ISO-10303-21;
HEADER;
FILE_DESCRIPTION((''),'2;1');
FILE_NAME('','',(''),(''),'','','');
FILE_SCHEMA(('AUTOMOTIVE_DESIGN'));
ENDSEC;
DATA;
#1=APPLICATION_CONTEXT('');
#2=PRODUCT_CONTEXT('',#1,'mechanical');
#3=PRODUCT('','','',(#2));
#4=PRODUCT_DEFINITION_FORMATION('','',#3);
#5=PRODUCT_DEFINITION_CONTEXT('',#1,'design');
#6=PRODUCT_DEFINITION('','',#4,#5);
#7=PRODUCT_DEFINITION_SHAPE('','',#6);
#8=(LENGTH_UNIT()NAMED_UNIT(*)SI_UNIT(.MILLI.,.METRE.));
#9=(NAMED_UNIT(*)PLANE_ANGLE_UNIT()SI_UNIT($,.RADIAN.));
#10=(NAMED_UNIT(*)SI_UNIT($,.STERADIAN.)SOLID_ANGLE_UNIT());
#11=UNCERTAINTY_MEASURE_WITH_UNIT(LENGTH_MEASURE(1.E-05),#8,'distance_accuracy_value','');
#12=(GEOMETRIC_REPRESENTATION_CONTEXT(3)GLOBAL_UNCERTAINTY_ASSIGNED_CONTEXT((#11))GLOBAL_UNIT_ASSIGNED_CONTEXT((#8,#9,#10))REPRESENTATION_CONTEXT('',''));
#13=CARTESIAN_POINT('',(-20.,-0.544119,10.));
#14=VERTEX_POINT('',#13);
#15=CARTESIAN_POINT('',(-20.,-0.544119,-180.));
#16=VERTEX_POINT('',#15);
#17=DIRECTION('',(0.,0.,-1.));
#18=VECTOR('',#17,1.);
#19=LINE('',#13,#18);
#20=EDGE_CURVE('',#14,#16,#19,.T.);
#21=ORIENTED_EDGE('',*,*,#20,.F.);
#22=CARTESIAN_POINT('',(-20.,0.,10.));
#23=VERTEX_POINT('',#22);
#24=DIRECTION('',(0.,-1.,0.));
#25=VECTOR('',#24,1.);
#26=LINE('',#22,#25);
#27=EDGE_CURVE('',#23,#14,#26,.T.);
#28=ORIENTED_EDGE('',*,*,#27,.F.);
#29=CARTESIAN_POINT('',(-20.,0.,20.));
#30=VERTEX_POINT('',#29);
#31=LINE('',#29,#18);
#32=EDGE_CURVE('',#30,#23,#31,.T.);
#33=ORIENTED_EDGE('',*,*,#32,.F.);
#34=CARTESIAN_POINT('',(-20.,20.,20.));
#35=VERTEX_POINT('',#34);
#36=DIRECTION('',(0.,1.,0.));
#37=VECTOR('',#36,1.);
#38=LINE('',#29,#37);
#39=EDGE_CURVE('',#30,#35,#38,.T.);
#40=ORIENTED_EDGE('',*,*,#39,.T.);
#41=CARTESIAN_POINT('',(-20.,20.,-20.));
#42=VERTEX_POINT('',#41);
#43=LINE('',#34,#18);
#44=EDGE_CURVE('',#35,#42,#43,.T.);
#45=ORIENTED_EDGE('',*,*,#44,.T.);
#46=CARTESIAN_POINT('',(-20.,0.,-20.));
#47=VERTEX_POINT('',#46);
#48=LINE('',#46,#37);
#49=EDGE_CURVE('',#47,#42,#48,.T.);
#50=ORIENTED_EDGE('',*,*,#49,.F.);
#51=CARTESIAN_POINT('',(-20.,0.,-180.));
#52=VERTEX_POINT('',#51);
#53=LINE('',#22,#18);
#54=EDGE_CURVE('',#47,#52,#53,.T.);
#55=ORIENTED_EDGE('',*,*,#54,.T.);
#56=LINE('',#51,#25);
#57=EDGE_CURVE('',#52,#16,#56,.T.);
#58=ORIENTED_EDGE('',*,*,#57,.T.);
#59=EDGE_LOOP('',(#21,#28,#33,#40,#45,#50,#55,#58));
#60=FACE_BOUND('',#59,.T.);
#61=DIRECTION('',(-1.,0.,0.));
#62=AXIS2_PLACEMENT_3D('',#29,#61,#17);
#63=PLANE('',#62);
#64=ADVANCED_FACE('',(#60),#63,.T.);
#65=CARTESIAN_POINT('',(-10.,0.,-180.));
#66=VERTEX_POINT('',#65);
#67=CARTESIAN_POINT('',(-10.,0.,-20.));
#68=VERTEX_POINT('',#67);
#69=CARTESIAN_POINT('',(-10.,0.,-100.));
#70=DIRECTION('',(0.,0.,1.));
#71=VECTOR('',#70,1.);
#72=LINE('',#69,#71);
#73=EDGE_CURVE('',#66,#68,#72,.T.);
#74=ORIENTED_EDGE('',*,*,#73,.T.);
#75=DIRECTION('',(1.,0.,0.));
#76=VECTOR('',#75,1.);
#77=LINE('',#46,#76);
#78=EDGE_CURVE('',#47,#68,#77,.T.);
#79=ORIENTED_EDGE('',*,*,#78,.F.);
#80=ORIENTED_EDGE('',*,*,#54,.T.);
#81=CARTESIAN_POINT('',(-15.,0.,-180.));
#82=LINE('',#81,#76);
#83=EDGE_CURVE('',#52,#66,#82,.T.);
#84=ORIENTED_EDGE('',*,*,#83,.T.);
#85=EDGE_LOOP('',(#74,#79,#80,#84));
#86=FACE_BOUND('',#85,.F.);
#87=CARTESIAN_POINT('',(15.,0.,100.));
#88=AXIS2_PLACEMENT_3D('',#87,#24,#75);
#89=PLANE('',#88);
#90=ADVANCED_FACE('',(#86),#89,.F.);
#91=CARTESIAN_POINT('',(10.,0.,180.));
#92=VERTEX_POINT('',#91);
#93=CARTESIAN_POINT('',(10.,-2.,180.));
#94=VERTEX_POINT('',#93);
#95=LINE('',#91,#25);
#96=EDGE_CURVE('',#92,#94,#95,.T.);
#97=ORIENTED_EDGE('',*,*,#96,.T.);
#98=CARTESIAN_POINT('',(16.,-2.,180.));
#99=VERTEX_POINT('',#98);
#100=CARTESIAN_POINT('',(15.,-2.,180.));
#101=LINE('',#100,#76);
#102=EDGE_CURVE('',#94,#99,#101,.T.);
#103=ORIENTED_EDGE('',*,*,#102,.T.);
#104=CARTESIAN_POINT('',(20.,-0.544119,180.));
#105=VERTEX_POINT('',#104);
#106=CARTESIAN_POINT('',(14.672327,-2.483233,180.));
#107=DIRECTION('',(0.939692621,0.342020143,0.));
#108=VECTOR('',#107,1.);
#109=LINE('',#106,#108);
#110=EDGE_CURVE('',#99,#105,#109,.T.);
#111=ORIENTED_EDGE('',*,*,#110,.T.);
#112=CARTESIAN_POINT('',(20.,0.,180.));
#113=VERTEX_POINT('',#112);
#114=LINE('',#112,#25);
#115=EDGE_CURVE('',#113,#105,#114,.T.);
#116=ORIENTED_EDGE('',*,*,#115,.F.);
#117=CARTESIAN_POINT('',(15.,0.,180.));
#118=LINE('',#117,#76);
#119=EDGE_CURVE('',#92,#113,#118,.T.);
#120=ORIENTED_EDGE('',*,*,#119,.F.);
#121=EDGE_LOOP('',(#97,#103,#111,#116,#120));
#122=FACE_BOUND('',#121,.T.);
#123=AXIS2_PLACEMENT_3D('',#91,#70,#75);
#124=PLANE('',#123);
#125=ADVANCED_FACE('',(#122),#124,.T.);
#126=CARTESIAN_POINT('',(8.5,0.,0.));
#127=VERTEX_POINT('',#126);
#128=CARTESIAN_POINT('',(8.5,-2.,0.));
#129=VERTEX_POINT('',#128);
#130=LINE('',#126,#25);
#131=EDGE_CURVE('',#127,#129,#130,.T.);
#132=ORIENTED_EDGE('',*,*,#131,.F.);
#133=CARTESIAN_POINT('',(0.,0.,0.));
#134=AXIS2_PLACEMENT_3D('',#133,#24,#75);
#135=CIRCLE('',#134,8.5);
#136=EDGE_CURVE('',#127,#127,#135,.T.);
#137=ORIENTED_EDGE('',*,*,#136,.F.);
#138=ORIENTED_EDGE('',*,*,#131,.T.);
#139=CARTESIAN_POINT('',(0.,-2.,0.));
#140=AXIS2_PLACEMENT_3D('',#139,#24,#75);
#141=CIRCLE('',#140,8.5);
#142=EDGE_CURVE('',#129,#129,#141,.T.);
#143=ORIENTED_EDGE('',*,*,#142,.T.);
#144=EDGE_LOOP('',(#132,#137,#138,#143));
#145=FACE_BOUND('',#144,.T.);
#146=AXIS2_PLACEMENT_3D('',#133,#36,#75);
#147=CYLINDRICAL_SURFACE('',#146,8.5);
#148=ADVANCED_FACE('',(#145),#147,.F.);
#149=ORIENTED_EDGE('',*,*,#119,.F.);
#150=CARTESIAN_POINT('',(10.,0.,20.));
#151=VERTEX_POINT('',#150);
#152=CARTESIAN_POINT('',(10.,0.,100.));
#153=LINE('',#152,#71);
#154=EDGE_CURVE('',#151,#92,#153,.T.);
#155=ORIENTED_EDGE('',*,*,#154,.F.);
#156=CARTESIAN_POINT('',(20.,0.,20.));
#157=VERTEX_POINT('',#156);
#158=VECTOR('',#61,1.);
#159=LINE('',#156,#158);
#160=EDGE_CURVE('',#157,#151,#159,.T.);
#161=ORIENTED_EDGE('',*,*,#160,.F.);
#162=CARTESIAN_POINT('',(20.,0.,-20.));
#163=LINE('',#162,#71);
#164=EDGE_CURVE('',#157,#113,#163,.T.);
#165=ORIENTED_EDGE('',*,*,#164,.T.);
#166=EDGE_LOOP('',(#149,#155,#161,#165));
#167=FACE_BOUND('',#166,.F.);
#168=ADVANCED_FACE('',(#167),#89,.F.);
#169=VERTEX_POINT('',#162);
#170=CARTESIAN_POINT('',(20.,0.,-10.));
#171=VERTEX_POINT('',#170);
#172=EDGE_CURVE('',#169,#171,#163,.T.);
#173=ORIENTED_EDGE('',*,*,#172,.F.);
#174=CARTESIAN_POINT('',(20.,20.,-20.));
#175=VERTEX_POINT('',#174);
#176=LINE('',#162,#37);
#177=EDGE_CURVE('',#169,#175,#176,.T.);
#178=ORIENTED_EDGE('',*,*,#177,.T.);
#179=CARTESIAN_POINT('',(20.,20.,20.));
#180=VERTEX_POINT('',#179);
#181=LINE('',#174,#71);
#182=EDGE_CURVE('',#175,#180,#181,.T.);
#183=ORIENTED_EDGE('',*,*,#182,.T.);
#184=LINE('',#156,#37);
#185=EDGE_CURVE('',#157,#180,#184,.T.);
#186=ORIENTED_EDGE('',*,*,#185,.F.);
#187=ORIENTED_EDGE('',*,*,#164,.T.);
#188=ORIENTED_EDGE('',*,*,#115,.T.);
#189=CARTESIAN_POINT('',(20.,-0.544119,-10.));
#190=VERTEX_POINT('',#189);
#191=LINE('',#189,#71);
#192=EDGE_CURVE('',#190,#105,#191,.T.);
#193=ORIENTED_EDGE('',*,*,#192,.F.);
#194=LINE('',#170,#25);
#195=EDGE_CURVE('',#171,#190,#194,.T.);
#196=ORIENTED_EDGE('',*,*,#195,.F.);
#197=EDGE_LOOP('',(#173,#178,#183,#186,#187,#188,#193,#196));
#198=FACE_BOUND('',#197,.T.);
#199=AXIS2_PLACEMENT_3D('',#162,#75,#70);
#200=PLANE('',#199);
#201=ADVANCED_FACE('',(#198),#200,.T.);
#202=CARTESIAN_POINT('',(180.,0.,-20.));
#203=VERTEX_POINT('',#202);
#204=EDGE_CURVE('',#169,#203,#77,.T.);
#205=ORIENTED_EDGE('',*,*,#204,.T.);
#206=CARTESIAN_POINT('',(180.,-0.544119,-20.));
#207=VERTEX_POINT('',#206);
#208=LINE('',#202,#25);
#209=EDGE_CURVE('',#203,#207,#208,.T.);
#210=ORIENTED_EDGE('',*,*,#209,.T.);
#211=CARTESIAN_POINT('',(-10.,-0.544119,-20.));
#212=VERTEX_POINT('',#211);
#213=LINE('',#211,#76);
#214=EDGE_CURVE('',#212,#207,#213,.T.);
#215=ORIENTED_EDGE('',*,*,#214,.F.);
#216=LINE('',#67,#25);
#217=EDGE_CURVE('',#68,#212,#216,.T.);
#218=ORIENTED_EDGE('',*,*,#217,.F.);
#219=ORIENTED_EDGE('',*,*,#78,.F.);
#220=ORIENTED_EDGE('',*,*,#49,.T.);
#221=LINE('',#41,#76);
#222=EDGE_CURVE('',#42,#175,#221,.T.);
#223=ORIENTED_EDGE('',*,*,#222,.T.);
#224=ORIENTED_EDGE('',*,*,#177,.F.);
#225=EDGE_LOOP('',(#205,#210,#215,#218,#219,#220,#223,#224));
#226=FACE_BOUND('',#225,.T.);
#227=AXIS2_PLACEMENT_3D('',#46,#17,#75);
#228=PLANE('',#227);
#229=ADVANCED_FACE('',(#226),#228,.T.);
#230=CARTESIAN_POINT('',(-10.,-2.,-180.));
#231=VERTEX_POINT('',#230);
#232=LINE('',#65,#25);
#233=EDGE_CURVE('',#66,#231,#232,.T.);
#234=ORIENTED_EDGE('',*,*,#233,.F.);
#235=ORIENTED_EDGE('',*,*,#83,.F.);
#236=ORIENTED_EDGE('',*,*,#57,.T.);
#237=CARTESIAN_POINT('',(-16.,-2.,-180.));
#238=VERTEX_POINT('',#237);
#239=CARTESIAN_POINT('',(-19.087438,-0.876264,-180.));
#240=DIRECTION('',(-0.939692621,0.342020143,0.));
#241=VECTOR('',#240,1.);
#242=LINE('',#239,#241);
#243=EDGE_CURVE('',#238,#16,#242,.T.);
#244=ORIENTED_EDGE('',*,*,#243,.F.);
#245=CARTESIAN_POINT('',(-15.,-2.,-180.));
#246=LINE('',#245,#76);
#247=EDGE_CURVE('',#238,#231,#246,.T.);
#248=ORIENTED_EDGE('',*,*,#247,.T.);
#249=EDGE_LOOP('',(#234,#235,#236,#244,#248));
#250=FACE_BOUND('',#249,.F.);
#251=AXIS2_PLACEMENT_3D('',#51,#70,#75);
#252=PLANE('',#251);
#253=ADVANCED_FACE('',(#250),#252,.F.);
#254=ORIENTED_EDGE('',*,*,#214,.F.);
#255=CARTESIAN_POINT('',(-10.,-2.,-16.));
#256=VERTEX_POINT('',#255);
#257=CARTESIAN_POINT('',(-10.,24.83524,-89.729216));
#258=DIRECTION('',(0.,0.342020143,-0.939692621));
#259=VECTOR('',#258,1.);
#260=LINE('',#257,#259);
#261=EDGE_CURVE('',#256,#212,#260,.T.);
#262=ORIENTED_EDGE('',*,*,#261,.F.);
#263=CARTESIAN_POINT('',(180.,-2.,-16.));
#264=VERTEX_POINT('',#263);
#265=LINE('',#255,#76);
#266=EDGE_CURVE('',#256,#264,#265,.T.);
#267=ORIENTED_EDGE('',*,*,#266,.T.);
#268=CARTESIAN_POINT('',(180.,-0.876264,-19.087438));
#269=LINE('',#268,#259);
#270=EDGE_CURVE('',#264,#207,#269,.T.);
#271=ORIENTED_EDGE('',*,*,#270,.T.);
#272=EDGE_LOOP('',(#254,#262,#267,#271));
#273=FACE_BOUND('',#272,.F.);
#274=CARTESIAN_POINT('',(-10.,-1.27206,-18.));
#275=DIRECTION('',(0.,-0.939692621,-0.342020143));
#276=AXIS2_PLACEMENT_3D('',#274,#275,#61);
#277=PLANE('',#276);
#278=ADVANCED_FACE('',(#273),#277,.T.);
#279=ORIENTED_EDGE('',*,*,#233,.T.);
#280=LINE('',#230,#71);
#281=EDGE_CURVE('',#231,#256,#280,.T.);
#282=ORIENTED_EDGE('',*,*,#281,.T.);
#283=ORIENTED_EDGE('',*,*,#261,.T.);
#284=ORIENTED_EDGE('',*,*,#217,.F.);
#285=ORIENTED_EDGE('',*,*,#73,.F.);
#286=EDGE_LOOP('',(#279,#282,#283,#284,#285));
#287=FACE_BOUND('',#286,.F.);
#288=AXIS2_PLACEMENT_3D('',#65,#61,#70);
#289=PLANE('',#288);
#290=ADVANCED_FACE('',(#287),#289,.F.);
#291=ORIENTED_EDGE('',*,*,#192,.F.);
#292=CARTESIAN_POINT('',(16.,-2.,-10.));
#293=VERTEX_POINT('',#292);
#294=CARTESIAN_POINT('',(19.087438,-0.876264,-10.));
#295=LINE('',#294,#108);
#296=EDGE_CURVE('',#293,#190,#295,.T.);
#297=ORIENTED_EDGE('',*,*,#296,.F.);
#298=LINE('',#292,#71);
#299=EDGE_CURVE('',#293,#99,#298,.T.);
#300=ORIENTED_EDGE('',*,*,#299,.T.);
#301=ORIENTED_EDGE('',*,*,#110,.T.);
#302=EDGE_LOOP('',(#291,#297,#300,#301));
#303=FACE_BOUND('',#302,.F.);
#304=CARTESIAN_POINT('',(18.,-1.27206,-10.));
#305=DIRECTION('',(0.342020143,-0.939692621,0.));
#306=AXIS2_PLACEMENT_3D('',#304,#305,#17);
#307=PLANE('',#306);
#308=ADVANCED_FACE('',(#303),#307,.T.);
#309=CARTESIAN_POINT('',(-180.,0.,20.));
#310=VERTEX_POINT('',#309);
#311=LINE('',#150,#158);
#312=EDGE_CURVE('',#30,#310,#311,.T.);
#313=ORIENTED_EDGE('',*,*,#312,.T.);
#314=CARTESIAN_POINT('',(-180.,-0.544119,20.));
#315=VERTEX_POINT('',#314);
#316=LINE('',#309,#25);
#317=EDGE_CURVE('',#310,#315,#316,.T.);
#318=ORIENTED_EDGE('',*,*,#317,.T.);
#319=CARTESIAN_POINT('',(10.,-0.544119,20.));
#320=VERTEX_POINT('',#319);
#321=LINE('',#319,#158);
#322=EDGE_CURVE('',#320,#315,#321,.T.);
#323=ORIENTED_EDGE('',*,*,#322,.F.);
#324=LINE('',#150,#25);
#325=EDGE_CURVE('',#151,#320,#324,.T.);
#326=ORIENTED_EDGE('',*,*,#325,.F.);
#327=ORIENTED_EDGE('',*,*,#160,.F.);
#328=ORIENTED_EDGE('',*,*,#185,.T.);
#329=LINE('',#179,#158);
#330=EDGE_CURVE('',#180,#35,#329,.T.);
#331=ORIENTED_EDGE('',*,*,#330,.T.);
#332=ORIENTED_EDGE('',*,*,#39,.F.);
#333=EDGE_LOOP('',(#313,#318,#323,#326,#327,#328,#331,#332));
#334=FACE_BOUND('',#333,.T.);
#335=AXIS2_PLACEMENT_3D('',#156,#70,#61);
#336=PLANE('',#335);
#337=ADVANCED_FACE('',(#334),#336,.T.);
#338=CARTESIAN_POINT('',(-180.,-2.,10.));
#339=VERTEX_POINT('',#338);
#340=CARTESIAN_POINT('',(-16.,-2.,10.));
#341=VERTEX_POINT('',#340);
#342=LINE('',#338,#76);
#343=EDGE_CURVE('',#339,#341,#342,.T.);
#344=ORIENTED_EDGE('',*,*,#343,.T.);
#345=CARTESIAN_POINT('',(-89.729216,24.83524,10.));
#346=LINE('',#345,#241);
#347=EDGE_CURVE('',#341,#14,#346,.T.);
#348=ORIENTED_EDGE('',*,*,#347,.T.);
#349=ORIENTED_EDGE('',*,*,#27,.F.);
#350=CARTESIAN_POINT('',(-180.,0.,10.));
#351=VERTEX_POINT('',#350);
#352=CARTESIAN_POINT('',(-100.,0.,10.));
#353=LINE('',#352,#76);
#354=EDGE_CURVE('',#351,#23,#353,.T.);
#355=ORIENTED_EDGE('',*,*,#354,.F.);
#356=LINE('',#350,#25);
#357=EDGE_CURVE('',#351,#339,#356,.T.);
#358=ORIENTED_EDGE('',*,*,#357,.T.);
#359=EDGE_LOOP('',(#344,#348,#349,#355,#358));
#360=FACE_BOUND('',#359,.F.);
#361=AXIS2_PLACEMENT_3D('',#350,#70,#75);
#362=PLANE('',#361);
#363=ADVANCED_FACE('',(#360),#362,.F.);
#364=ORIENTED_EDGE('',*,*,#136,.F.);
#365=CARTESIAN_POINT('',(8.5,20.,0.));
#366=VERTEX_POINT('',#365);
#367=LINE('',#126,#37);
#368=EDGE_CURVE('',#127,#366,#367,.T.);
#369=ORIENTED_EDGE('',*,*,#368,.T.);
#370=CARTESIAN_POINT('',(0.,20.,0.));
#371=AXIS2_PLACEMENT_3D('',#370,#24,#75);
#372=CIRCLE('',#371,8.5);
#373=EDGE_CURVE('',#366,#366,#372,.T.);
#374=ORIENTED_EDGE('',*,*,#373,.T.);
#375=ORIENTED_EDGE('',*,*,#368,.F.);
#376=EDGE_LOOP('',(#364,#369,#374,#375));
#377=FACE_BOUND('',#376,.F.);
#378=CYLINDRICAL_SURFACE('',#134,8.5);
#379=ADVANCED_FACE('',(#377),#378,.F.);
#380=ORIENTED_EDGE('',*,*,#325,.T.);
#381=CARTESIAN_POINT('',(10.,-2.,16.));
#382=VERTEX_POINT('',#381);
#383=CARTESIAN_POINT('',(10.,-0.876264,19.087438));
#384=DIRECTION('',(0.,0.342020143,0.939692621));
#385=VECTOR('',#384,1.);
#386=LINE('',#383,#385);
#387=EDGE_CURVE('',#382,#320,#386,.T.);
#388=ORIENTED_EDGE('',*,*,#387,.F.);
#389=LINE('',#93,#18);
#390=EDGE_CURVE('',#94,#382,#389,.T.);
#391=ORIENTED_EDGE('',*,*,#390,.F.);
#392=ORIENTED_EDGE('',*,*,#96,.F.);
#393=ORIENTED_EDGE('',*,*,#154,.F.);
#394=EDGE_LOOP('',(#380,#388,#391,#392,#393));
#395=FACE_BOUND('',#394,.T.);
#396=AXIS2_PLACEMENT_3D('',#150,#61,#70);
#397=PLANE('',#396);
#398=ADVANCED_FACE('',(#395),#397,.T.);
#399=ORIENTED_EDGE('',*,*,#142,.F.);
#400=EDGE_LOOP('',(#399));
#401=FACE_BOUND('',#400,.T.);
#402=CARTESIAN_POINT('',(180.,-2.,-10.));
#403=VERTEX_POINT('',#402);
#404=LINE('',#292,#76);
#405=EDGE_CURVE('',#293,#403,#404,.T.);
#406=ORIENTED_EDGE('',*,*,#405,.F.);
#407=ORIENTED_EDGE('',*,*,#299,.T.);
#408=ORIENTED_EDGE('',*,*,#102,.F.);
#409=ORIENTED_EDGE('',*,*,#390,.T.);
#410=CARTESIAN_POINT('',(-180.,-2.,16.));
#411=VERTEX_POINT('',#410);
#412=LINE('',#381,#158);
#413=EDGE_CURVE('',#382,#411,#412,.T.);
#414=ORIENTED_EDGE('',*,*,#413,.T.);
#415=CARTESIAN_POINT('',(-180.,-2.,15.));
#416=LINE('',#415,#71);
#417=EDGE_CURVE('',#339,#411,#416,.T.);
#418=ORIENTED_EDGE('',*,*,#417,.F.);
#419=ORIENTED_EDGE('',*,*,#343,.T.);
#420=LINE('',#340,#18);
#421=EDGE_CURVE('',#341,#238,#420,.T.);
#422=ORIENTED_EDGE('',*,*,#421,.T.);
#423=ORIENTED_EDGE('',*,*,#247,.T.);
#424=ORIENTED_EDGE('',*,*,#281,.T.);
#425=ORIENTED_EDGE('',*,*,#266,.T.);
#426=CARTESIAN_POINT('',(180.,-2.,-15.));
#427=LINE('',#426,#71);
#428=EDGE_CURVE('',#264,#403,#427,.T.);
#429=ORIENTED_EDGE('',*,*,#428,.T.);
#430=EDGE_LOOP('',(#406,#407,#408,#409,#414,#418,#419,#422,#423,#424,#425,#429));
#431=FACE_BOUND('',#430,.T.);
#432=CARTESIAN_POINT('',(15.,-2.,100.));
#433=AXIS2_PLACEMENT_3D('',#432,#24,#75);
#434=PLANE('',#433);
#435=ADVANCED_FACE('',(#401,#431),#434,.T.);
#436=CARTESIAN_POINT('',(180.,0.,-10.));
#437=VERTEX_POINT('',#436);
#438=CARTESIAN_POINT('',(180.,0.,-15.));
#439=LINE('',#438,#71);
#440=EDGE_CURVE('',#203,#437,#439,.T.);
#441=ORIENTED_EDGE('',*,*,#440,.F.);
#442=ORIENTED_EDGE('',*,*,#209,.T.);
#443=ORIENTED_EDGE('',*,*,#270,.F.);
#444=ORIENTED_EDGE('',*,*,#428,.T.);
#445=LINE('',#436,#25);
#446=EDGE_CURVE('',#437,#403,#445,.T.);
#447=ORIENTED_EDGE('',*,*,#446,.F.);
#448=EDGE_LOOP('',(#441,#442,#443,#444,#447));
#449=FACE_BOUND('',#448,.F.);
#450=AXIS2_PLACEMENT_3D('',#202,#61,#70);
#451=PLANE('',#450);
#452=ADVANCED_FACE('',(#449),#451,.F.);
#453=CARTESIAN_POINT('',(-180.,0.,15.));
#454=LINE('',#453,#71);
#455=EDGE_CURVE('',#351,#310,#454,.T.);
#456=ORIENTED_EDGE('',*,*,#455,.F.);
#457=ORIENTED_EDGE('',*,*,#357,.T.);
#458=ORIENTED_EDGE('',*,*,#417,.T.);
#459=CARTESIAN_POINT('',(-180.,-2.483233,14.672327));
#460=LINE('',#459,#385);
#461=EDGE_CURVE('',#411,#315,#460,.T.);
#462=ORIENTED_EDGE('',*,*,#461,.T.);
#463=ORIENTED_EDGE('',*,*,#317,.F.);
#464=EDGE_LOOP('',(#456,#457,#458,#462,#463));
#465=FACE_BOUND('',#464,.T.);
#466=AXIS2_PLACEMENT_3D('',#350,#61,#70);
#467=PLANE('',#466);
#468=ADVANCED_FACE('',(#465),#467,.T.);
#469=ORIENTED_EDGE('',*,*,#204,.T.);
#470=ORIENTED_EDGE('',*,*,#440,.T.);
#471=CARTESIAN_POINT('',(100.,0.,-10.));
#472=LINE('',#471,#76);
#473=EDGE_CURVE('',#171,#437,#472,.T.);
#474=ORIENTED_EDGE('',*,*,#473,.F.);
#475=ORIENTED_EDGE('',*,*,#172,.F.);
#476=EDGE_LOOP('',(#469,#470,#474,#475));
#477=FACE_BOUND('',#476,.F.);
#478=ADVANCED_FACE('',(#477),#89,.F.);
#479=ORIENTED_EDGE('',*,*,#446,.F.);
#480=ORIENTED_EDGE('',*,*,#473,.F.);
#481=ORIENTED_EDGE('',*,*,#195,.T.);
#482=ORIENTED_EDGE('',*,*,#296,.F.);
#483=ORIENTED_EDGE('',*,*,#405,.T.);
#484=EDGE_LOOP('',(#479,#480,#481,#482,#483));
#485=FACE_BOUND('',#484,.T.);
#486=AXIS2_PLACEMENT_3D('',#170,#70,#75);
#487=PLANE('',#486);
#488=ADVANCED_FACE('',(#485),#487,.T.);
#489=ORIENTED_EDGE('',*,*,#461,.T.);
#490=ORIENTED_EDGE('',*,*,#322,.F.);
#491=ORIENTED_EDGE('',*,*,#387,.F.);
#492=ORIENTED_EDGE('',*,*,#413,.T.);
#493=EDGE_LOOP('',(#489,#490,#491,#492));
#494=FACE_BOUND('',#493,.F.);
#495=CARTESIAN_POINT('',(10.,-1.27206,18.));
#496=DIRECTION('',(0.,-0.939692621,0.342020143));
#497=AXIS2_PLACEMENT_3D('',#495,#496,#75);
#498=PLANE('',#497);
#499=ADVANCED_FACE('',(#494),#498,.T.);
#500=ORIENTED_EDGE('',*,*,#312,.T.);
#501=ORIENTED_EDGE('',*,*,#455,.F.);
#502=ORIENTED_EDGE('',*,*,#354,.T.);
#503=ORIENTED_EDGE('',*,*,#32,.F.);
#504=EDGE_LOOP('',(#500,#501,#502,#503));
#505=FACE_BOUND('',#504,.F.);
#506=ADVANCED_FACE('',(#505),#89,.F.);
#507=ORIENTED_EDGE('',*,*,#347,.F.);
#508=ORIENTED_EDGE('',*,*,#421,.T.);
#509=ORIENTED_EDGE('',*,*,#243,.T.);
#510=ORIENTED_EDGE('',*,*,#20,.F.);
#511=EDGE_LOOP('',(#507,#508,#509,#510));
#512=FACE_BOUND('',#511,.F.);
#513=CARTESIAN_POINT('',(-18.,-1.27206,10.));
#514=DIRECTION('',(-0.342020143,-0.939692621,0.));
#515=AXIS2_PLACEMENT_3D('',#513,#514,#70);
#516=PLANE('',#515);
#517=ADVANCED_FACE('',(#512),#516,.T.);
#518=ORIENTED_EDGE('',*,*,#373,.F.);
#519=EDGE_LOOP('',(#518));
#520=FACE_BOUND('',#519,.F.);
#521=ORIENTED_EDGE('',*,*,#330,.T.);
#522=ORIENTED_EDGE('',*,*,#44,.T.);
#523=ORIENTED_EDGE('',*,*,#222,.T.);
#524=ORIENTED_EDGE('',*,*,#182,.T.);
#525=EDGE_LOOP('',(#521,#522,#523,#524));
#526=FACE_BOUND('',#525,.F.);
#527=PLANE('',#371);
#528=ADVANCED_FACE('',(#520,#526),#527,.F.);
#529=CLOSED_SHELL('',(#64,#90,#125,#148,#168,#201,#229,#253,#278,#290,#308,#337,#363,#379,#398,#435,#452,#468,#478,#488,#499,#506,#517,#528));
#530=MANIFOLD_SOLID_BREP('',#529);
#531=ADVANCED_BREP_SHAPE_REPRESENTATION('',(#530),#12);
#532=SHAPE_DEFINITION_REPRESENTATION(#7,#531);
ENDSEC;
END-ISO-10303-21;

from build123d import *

# Parameters (mm, degrees)
F0_W     = 10
F0_H     = 160
F0_W_2   = 160
F0_H_2   = 10
F0_R     = 8.5
F1_DEPTH = 2
F2_DEPTH = 20
F3_SIZE2 = 1.4558809371
F3_SIZE  = 4


with BuildPart() as f1:
    # F0 (on Front) → F1 (new body)
    with BuildSketch(Plane.XZ):
        with Locations((15, 100)):
            Rectangle(F0_W, F0_H)
        with Locations((-100, 15)):
            Rectangle(F0_W_2, F0_H_2)
        Polygon((-10, -20), (20, -20), (20, -10), (20, 20), (10, 20), (-20, 20), (-20, 10), (-20, -20), align=None)
        Circle(F0_R, mode=Mode.SUBTRACT)
        with Locations((100, -15)):
            Rectangle(F0_W_2, F0_H_2)
        with Locations((-15, -100)):
            Rectangle(F0_W, F0_H)
    extrude(amount=F1_DEPTH)

    # F0 (on Front) → F2 (join)
    with BuildSketch(Plane.XZ):
        Polygon((-10, -20), (20, -20), (20, -10), (20, 20), (10, 20), (-20, 20), (-20, 10), (-20, -20), align=None)
        Circle(F0_R, mode=Mode.SUBTRACT)
    extrude(amount=-F2_DEPTH)

    # F3
    f3_edges = [f1.edges().sort_by_distance(p)[0] for p in [
        (-85, -2, 20),
        (20, -2, 85),
        (85, -2, -20),
        (-20, -2, -85),
    ]]
    f3_side = f1.faces().sort_by_distance((15, -2, 174.908831))[0]
    chamfer(f3_edges, length=F3_SIZE, length2=F3_SIZE2, reference=f3_side)


solid = f1.part
